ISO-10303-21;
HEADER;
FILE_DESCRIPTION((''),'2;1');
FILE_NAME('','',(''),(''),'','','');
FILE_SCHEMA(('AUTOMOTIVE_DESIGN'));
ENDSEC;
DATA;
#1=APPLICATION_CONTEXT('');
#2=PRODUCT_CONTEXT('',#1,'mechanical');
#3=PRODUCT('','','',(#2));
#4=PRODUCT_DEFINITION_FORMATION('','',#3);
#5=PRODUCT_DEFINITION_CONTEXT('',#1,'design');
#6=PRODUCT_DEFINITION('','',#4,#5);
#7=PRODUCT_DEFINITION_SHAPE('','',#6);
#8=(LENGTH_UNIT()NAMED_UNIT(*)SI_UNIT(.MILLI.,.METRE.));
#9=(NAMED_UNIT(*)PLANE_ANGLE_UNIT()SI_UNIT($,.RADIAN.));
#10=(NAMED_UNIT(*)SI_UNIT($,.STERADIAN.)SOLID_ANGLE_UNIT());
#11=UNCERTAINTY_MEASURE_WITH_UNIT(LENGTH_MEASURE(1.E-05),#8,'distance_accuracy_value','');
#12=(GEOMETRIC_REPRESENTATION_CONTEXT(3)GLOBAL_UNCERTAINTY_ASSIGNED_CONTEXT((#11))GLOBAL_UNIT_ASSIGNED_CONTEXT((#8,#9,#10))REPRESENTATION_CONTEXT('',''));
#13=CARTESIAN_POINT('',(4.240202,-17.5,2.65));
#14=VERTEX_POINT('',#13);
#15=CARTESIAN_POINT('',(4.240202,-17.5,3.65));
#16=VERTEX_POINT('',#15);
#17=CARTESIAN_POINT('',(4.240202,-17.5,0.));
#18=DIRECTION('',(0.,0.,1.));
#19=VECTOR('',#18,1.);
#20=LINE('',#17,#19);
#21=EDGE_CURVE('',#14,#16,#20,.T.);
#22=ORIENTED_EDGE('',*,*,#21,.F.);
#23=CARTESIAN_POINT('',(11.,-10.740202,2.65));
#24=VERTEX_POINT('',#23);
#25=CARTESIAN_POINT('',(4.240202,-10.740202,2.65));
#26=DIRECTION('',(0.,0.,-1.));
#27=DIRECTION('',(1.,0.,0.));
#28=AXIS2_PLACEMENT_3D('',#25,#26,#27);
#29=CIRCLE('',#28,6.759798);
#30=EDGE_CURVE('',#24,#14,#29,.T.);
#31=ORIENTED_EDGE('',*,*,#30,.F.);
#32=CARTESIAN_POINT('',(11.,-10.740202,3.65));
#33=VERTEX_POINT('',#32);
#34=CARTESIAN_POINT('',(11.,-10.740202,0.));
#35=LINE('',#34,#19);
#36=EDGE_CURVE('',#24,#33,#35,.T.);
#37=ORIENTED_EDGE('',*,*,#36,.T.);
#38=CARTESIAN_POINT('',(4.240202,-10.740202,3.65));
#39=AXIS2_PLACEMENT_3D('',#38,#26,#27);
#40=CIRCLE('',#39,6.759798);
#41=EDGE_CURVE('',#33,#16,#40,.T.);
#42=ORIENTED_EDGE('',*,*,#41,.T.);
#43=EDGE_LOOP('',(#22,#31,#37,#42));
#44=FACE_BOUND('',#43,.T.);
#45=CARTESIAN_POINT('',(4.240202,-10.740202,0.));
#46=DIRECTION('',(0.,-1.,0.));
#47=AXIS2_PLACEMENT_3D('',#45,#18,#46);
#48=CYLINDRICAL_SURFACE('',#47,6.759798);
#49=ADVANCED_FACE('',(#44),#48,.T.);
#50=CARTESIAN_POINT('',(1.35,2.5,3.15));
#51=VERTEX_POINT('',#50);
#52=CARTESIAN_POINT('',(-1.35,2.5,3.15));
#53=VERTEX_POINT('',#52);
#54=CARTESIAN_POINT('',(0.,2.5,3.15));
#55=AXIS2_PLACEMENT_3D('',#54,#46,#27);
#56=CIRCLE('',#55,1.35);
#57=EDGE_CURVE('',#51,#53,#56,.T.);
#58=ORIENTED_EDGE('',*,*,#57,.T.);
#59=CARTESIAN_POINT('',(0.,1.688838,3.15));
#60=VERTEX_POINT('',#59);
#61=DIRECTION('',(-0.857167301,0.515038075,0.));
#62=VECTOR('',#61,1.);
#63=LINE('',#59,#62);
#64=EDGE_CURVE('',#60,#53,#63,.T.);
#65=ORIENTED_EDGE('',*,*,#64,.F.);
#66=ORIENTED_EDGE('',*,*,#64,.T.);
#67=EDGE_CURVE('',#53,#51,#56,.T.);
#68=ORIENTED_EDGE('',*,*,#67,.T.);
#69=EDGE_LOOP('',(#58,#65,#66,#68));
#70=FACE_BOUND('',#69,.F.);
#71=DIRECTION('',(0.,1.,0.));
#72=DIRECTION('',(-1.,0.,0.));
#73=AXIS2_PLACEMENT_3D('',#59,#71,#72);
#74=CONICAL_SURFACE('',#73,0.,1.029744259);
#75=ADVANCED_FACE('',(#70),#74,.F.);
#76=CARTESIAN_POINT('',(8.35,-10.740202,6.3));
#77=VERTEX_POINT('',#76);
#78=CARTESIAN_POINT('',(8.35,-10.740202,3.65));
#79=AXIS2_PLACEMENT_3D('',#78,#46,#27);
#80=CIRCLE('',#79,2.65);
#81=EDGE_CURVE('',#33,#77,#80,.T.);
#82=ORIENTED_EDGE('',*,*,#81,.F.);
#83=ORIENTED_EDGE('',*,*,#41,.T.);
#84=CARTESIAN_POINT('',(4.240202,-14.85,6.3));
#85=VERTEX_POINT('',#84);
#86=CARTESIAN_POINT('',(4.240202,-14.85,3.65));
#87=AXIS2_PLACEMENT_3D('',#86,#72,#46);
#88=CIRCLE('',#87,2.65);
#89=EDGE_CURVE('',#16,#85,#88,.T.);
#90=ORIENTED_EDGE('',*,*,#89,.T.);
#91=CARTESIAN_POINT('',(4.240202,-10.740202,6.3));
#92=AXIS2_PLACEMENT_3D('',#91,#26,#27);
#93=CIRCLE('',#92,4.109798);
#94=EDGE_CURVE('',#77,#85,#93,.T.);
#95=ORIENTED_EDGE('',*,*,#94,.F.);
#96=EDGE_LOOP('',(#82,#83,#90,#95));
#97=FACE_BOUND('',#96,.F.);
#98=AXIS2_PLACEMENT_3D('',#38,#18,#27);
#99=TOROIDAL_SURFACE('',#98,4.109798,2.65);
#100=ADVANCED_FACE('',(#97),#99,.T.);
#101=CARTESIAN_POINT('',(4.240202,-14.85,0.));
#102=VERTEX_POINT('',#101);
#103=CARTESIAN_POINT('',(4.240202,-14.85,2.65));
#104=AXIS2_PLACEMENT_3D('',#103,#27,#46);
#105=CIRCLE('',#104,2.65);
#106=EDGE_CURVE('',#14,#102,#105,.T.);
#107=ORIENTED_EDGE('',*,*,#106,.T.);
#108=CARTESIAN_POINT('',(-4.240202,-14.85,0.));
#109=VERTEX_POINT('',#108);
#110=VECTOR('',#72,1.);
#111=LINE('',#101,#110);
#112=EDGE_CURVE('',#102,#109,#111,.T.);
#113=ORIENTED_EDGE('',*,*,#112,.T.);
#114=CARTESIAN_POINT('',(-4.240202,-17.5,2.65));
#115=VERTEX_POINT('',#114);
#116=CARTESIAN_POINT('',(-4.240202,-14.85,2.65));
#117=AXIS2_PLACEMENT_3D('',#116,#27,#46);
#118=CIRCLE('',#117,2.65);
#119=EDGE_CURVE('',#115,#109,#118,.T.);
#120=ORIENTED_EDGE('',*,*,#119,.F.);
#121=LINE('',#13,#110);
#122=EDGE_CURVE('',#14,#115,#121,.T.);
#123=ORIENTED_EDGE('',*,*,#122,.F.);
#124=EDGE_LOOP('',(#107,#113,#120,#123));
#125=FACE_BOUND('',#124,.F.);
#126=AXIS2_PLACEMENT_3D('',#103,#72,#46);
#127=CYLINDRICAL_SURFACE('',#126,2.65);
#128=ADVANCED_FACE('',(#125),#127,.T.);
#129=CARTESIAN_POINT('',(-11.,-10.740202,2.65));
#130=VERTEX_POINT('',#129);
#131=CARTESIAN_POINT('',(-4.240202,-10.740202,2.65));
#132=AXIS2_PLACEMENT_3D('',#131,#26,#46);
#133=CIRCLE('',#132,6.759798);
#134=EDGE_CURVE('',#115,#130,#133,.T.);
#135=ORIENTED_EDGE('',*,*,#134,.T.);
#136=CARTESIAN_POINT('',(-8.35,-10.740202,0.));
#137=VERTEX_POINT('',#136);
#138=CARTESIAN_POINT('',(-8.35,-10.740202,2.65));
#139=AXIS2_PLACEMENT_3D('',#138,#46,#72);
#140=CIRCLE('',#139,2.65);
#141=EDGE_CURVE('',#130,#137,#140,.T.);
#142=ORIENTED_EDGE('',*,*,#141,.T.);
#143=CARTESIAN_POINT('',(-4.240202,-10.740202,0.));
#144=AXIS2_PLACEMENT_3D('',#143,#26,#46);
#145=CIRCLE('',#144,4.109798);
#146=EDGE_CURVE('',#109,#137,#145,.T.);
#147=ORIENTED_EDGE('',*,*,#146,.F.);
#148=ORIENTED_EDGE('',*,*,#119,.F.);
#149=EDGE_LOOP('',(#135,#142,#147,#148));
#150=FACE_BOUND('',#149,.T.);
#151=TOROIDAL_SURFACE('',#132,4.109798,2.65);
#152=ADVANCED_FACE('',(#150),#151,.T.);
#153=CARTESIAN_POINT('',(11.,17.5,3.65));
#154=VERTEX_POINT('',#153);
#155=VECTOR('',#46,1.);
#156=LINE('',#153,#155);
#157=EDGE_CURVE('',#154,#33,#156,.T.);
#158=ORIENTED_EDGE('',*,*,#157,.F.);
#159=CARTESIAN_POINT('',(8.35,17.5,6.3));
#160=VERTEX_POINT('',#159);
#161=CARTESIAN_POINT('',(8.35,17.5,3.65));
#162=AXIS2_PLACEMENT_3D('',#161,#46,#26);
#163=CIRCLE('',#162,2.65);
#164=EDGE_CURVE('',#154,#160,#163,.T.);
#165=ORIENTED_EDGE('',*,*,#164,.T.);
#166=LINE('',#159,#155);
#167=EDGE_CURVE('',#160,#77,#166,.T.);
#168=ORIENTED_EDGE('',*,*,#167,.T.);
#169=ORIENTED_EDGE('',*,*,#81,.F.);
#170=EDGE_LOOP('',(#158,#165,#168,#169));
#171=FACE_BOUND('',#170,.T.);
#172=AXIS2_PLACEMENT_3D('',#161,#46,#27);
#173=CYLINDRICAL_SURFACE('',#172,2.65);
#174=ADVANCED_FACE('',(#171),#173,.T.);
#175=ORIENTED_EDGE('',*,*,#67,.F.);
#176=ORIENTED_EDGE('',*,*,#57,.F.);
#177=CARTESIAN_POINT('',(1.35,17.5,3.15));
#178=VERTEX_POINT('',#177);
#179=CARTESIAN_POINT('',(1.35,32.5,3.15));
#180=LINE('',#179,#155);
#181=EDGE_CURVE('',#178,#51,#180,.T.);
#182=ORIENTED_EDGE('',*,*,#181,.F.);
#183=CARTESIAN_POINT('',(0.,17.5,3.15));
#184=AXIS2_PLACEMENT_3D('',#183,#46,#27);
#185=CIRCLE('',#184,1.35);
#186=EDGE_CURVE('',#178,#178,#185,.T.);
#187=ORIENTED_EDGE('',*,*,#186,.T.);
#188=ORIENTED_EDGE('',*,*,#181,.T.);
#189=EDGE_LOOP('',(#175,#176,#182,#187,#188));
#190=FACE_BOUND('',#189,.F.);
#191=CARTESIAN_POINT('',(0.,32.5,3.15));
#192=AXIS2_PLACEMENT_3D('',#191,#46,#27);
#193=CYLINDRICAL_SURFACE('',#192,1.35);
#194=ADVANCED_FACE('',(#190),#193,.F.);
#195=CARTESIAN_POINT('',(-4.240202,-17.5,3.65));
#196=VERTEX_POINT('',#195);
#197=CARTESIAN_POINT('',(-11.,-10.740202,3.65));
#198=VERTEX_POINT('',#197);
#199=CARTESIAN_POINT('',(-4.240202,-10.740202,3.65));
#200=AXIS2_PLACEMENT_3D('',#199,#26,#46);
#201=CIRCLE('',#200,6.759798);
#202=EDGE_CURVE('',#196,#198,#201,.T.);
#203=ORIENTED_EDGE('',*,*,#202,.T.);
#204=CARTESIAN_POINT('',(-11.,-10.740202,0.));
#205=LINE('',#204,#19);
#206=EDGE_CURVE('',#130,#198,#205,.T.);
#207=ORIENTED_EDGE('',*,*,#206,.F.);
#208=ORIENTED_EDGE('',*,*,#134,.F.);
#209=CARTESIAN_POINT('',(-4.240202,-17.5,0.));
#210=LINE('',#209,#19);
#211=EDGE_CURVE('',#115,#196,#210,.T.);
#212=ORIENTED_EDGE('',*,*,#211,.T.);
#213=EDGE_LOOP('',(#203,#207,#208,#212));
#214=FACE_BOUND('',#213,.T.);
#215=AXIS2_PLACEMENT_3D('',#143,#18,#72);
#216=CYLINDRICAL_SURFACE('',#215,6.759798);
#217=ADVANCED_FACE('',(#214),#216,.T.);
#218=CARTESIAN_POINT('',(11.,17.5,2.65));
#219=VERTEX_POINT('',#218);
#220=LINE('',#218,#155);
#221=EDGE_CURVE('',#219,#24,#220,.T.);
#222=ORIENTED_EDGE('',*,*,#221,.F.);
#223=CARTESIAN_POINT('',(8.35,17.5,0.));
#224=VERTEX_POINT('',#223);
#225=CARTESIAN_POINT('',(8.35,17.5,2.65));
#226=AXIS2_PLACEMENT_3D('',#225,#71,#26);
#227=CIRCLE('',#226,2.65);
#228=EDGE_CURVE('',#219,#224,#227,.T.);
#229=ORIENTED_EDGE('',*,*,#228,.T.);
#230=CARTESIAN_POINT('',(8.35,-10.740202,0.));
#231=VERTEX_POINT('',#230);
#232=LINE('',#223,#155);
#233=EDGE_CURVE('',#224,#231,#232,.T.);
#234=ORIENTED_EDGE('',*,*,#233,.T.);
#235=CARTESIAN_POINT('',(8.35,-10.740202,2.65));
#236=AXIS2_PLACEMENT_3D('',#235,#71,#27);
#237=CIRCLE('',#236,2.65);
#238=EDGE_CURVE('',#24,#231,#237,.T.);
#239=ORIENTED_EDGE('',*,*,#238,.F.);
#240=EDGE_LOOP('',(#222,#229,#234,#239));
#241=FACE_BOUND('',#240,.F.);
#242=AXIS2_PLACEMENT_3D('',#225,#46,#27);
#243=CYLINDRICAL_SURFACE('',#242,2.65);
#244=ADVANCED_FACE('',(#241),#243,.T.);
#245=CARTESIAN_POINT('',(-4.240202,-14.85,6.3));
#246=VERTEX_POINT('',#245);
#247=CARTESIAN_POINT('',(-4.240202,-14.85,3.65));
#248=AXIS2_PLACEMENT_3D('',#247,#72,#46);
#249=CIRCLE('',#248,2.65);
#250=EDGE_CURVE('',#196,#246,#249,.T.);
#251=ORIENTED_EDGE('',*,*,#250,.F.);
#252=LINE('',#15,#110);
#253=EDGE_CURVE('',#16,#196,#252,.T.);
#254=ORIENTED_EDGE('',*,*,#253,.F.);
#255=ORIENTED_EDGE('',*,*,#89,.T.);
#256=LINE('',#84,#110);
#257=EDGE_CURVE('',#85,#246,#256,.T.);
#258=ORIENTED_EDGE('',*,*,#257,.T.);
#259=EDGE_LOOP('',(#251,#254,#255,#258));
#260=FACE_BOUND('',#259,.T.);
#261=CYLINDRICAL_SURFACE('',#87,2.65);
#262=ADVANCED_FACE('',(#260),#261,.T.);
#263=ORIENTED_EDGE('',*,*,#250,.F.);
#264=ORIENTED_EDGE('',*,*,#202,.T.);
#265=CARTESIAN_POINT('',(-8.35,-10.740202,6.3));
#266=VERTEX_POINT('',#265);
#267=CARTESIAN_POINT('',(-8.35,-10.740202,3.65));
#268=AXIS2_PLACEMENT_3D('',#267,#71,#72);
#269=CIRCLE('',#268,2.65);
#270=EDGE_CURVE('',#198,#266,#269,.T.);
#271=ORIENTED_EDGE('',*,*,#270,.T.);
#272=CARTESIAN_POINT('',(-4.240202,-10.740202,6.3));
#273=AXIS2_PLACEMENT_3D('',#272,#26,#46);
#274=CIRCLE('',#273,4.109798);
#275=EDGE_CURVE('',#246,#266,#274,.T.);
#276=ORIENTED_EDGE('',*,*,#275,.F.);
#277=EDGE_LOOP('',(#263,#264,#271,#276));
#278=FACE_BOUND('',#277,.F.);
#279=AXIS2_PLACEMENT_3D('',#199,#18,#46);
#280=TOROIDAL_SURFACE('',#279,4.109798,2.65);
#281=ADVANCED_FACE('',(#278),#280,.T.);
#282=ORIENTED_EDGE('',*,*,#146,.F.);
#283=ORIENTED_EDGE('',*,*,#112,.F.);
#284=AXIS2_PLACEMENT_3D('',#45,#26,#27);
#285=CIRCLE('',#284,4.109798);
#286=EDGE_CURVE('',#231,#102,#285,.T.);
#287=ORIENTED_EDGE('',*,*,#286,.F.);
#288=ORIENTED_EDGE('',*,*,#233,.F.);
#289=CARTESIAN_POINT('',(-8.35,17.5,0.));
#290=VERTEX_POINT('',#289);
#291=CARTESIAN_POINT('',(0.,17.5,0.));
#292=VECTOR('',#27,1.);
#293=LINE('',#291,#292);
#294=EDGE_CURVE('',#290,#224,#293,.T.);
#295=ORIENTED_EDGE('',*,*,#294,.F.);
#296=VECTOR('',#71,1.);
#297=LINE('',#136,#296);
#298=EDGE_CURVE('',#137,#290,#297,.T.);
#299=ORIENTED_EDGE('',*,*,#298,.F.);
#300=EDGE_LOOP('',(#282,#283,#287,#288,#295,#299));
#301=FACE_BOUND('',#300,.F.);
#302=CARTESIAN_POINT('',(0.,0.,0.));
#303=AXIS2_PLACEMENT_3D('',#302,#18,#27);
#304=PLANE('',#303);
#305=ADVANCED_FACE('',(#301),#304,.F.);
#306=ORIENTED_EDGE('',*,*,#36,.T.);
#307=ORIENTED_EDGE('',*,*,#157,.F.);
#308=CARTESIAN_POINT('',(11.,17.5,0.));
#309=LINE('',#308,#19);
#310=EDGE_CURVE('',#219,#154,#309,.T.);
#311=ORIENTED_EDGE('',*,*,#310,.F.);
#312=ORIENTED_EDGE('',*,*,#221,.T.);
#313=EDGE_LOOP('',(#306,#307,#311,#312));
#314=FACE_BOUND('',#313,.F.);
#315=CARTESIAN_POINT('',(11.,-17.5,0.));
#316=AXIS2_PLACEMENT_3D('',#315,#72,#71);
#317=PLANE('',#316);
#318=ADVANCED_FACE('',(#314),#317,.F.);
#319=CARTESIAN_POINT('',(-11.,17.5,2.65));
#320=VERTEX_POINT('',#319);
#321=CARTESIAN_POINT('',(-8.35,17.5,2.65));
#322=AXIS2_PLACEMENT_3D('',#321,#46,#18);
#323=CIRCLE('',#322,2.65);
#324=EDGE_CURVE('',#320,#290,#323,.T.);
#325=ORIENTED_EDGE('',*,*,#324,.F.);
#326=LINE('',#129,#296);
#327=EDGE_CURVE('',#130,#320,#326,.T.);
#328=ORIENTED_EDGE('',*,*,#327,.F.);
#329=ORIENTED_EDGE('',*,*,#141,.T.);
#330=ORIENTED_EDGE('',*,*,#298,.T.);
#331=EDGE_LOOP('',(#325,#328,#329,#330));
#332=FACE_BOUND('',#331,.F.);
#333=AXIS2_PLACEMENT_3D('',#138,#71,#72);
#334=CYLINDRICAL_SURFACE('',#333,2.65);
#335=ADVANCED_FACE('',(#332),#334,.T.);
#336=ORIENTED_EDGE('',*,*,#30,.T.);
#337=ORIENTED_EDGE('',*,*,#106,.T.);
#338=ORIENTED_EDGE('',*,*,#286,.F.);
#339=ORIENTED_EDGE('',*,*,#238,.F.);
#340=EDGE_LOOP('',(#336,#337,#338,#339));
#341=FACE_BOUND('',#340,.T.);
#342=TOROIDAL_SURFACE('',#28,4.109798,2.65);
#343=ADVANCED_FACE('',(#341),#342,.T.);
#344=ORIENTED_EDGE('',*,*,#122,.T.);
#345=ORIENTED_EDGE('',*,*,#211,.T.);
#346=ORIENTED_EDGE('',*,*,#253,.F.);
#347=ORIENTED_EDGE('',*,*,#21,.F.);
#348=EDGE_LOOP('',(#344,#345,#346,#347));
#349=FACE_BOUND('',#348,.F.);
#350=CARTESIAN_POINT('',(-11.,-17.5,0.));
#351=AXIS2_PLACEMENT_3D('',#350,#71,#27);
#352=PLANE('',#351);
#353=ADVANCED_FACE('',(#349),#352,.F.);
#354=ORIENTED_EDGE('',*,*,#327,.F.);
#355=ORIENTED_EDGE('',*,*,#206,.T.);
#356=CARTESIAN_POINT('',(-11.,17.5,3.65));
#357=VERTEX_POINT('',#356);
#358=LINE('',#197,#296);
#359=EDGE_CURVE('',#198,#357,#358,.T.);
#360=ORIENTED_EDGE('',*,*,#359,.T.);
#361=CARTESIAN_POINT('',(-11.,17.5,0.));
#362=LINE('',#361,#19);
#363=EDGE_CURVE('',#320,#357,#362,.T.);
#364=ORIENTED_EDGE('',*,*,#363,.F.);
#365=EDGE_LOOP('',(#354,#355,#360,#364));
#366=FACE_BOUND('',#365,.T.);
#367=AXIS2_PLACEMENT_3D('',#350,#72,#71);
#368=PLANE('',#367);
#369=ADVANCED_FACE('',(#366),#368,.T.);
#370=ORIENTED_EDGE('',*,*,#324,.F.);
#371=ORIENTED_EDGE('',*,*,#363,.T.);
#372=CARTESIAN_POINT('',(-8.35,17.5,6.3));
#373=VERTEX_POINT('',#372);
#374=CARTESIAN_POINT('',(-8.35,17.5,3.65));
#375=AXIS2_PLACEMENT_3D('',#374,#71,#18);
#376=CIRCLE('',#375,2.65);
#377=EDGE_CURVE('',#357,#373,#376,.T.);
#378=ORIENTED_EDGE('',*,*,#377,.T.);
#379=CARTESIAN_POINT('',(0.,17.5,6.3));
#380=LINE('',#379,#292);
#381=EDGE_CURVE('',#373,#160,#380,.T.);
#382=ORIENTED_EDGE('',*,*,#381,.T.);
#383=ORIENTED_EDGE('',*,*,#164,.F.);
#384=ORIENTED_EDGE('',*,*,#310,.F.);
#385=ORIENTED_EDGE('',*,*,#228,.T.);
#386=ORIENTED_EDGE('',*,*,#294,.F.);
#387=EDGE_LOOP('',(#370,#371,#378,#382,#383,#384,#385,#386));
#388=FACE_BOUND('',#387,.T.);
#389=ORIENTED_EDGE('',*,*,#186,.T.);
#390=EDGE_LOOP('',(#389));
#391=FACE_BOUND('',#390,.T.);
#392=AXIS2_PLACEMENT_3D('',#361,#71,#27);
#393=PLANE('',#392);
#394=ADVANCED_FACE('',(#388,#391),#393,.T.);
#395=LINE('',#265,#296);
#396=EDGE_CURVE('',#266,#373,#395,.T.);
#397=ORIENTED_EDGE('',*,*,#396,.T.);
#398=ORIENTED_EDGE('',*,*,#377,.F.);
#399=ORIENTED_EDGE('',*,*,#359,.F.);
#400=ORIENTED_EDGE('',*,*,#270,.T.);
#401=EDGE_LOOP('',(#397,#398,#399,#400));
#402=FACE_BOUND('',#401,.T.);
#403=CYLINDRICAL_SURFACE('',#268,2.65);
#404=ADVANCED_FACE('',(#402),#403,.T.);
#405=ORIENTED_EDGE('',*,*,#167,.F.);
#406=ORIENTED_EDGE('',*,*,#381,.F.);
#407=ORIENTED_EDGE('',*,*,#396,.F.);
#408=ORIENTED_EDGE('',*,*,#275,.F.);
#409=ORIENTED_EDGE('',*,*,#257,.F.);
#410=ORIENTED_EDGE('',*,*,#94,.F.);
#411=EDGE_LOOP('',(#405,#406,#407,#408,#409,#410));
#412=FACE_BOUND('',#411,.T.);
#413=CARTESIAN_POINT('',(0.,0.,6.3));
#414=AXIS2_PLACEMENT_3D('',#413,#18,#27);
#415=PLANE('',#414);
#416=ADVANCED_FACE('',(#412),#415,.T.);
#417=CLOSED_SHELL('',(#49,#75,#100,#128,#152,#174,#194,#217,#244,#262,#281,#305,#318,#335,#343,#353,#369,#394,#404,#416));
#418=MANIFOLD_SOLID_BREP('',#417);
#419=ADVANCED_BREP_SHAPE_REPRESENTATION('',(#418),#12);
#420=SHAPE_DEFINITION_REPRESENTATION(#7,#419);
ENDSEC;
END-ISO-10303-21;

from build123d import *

# Parameters (mm, degrees)
F0_W     = 22
F0_H     = 35
F1_DEPTH = 6.3
F2_R     = 6.7597979746
F3_R     = 2.65
F5_D     = 2.7
F5_DEPTH = 15
F5_TIP   = 0.8111618357


with BuildPart() as f1:
    # F0 (on Top) → F1 (new body)
    with BuildSketch(Plane.XY):
        Rectangle(F0_W, F0_H)
    extrude(amount=F1_DEPTH)

    # F2
    f2_edges = [f1.edges().sort_by_distance(p)[0] for p in [
        (-11, -17.5, 3.15),
        (11, -17.5, 3.15),
    ]]
    fillet(f2_edges, radius=F2_R)

    # F3
    f3_edges = [f1.edges().sort_by_distance(p)[0] for p in [
        (-11, 3.379899, 6.3),
        (-11, 3.379899, 0),
    ]]
    fillet(f3_edges, radius=F3_R)

    # F5
    with Locations(Plane(origin=(0, 17.5, 0), x_dir=(-1, 0, 0), z_dir=(0, 1, 0))):
        with Locations((0, 3.15)):
            Hole(F5_D / 2, depth=F5_DEPTH)
            with Locations((0, 0, -(F5_DEPTH + F5_TIP / 2))):  # 118° drill point
                Cone(0, F5_D / 2, F5_TIP, mode=Mode.SUBTRACT)


solid = f1.part
